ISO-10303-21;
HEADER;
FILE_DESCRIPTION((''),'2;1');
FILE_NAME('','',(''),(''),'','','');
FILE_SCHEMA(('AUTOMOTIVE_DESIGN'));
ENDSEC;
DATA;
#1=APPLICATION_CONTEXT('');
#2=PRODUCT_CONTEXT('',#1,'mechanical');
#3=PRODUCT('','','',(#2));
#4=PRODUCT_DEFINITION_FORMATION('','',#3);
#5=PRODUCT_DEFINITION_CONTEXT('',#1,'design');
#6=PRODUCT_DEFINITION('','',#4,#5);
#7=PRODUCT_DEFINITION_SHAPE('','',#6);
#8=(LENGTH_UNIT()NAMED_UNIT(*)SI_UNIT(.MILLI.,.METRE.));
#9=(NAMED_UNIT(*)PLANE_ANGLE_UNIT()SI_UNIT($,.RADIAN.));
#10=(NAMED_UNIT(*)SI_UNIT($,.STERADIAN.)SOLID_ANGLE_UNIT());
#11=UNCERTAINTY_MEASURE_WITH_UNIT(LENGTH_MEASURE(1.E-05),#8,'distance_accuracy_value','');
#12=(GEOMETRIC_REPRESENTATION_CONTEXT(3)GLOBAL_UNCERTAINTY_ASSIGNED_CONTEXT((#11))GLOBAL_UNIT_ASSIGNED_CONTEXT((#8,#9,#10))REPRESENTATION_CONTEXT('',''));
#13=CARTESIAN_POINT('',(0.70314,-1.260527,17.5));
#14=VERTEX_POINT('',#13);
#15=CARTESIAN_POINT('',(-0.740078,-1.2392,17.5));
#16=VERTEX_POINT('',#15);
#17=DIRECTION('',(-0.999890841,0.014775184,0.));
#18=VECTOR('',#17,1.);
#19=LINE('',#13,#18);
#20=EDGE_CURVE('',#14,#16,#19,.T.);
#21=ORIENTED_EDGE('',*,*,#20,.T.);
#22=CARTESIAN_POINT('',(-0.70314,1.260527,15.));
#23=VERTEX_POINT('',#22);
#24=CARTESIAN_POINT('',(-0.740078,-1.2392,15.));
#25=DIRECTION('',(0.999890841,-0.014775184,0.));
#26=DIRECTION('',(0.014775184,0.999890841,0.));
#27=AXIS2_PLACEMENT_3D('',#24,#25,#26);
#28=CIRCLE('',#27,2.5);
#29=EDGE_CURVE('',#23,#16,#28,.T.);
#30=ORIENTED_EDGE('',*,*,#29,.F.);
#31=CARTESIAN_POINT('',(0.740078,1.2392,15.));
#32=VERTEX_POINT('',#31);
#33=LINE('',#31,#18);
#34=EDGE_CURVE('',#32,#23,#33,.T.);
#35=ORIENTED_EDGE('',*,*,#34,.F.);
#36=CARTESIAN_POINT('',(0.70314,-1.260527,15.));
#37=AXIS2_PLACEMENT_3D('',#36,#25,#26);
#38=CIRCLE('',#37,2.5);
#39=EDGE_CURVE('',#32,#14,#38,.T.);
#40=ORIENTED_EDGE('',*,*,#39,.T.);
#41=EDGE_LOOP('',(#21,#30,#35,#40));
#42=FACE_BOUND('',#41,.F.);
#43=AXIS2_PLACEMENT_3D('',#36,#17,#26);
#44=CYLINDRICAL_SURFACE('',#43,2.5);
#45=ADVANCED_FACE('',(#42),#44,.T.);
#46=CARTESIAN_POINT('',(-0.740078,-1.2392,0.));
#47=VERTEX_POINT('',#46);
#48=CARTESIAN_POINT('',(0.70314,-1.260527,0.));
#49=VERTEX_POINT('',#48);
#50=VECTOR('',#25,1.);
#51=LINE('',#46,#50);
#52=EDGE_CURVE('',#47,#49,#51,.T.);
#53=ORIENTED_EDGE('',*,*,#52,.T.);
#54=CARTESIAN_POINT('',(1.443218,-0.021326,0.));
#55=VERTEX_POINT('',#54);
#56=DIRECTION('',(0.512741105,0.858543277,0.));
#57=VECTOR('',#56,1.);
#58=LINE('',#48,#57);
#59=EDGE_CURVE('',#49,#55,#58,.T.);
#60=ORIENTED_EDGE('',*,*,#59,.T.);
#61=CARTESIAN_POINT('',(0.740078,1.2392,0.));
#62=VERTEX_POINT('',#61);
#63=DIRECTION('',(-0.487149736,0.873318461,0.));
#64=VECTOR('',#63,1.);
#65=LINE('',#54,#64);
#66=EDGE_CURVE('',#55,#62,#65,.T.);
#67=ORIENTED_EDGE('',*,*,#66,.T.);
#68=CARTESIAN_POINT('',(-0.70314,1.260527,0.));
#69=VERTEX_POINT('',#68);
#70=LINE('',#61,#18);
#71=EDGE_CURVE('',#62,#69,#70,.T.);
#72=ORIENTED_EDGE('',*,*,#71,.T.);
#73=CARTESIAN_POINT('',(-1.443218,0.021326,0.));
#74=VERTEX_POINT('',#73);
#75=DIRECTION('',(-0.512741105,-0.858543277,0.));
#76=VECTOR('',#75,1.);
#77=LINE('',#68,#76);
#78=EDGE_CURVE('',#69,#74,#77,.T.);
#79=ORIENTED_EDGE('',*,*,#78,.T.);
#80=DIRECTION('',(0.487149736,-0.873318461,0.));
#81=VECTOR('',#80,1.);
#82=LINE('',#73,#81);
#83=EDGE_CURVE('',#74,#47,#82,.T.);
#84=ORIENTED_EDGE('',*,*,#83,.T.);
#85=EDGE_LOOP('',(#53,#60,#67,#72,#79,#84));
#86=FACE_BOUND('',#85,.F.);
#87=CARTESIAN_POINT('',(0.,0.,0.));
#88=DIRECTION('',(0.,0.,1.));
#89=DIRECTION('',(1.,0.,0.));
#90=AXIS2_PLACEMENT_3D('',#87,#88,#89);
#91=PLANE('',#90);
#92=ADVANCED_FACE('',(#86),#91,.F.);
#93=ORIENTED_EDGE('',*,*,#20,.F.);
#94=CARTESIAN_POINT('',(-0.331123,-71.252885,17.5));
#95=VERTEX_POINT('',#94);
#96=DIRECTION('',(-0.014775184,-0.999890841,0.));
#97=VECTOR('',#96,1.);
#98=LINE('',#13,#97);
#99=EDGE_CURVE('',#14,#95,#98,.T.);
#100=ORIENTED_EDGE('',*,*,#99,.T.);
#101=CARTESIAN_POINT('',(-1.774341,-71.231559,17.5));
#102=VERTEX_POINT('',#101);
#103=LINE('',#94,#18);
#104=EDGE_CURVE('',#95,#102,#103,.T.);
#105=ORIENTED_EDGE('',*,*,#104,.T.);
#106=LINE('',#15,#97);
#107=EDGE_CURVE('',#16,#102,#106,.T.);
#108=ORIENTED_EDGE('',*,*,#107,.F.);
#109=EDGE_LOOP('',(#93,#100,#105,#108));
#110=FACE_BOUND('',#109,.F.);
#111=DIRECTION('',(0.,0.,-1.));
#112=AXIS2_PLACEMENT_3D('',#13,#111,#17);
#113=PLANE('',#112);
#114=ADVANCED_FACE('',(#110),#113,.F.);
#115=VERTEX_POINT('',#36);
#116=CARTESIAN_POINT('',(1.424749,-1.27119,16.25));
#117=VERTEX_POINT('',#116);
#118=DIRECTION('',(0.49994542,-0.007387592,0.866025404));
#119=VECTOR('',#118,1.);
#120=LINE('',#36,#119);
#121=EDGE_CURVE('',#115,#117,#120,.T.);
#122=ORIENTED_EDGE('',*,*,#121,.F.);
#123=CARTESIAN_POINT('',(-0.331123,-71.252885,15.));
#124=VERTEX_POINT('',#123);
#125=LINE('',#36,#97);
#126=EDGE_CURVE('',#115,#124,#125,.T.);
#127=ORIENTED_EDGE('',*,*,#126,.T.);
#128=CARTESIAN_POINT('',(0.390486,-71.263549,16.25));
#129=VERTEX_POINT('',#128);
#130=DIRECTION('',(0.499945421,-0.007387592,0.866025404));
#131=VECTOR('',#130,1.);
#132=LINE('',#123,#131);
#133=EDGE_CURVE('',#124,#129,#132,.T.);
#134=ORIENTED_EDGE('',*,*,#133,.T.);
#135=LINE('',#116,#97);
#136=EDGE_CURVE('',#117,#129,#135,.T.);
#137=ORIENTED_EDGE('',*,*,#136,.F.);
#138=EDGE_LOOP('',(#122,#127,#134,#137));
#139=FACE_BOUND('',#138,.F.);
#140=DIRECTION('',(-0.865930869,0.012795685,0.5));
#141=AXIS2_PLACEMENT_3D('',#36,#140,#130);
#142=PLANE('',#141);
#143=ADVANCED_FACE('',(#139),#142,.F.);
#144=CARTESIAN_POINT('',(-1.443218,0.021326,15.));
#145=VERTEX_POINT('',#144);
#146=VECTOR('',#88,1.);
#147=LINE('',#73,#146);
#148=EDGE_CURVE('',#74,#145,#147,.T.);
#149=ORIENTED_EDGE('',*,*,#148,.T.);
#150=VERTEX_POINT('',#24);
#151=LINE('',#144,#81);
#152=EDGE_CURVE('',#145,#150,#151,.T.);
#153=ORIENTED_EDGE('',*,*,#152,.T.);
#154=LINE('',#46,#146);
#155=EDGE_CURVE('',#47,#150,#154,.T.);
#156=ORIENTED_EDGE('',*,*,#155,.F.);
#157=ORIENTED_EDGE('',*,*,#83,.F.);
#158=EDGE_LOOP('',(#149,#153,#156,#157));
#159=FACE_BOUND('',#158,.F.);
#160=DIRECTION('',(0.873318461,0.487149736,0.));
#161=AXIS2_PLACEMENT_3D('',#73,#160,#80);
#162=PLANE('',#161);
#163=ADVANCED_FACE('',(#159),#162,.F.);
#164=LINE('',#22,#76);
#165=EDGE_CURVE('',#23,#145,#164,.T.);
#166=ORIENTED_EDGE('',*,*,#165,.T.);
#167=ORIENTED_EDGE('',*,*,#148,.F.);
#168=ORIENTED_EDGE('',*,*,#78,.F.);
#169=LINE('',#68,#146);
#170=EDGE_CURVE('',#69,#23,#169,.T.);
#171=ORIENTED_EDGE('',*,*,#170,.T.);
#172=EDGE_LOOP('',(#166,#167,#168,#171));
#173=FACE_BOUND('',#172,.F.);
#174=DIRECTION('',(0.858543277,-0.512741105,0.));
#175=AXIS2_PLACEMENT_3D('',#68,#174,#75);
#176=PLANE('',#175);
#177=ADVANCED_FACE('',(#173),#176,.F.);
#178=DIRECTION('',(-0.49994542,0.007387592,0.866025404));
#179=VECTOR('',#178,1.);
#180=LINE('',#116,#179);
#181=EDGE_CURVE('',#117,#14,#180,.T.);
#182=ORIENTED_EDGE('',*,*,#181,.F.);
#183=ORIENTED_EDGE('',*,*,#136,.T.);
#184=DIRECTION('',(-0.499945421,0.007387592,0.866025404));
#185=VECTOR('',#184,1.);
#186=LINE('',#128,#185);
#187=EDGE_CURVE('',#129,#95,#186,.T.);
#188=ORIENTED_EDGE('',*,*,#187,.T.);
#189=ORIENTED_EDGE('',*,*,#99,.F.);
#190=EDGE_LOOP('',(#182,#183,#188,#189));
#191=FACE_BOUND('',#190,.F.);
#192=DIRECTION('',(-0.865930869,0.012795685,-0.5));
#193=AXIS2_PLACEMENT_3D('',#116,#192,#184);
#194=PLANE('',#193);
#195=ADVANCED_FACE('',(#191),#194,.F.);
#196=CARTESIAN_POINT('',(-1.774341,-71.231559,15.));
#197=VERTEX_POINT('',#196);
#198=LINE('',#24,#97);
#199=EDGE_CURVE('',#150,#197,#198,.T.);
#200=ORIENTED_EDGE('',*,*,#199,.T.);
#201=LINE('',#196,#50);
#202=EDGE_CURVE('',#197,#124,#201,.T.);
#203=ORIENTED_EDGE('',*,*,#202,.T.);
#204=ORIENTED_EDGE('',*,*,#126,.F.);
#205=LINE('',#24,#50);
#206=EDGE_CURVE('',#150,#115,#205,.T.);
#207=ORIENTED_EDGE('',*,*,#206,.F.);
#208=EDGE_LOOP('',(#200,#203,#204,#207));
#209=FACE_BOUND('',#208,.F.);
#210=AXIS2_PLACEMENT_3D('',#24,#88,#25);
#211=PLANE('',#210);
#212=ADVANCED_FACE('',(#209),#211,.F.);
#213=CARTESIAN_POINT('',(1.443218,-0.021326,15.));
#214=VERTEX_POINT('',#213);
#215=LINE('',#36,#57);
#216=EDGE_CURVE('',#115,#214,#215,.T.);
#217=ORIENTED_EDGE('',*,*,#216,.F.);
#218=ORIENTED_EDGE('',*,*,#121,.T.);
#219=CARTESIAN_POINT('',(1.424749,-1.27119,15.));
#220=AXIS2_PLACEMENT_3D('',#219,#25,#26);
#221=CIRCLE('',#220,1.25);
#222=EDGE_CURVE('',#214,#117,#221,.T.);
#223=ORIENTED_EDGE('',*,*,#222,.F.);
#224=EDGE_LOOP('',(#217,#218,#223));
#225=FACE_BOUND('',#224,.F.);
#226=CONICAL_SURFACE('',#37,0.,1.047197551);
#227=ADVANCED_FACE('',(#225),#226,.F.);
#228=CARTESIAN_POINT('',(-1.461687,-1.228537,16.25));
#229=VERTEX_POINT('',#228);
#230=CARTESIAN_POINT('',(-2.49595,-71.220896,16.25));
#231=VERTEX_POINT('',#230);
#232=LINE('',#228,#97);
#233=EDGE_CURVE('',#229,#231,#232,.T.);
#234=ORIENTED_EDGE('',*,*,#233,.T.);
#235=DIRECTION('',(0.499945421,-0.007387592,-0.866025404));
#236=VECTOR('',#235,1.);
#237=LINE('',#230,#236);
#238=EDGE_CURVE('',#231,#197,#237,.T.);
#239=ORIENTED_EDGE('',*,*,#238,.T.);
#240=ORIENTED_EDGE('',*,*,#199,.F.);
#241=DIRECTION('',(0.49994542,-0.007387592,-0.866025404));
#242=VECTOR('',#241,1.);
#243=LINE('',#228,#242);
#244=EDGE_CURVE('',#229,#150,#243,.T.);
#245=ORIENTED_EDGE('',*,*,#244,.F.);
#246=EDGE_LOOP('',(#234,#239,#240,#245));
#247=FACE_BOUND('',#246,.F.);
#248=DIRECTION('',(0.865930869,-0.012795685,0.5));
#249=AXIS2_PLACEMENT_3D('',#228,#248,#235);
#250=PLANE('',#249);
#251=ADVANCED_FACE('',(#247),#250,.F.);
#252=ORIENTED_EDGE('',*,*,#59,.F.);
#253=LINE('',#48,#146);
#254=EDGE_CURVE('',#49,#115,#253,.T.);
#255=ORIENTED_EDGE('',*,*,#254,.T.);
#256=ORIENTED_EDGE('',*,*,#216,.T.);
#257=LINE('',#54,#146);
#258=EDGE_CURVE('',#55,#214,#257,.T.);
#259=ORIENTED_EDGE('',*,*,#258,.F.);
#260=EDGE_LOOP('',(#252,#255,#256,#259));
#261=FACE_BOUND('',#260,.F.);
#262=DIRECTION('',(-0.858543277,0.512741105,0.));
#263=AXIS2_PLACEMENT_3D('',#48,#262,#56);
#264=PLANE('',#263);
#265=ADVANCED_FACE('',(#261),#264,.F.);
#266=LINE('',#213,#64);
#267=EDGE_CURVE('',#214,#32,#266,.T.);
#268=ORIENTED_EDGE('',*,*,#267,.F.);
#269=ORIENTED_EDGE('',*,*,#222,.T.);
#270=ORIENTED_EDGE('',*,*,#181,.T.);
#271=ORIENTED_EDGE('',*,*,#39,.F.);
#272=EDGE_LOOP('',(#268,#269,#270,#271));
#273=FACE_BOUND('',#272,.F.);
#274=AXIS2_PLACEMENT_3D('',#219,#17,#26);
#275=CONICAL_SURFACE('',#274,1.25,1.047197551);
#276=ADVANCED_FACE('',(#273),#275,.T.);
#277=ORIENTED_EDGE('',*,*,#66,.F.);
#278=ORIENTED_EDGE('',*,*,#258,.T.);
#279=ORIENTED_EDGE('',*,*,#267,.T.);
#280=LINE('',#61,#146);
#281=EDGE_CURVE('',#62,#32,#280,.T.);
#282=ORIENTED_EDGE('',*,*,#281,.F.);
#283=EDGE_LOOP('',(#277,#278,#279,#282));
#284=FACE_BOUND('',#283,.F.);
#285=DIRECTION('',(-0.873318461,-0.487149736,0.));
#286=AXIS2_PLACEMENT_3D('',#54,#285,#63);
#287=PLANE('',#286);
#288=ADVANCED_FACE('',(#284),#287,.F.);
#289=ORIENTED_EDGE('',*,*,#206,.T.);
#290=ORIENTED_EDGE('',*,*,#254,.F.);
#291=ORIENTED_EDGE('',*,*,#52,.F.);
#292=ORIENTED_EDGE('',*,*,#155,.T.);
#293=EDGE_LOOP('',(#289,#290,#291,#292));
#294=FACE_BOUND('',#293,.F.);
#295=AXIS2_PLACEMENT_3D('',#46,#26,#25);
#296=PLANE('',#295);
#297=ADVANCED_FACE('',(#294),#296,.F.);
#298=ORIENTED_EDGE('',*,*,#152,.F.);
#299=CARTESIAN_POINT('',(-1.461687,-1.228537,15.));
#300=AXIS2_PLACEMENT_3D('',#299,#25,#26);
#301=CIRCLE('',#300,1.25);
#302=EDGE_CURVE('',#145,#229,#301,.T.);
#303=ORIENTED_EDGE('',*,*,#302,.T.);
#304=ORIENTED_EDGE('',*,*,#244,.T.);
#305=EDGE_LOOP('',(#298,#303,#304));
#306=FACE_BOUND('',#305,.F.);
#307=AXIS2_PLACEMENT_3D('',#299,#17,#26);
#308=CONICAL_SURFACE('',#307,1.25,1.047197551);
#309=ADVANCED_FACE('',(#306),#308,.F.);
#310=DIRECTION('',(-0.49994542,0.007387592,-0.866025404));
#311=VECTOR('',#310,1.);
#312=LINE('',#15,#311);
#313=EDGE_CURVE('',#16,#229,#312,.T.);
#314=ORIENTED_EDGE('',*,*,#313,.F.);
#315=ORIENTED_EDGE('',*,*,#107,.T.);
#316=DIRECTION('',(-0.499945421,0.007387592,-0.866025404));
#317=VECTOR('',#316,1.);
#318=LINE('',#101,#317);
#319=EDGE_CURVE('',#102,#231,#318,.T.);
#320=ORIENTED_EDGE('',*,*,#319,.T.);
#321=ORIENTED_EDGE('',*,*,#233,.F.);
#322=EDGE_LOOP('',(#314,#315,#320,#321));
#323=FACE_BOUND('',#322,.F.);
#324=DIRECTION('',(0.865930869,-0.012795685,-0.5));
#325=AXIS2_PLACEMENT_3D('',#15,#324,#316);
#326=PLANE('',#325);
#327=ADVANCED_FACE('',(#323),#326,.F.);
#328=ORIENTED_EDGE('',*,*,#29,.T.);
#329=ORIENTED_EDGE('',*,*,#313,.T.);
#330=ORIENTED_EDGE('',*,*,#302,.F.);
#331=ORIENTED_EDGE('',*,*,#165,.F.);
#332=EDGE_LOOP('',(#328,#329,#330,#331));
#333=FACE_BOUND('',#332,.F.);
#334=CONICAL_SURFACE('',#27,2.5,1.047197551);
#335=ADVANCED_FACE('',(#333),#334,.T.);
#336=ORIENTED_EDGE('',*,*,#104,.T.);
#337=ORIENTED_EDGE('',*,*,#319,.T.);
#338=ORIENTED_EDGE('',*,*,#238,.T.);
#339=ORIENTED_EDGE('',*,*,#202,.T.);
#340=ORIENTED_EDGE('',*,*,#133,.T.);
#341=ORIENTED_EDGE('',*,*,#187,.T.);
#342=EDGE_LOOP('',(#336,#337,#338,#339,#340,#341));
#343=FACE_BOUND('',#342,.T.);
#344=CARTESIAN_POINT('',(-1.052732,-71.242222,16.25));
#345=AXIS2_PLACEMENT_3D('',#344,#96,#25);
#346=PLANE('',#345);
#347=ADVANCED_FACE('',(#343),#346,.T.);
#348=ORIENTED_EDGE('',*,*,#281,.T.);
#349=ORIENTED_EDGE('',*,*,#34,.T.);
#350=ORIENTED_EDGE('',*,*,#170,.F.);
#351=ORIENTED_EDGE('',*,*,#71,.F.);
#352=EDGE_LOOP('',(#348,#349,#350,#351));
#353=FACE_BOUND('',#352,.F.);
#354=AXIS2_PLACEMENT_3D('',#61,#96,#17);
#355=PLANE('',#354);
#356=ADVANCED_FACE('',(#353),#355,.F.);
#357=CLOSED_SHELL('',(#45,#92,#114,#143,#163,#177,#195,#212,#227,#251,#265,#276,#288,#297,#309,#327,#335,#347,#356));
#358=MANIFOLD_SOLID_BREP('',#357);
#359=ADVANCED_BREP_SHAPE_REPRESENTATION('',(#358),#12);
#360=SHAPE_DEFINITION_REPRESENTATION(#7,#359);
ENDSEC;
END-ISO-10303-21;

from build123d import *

# Parameters (mm, degrees)
F1_DEPTH = 15
F3_ANGLE = 90
F5_DEPTH = 70


with BuildPart() as f1:
    # F0 (on Top) → F1 (new body)
    with BuildSketch(Plane.XY):
        Polygon((0.7031400781, -1.2605266217), (1.4432181155, -0.0213261408), (0.7400780375, 1.2392004809), (-0.7031400781, 1.2605266217), (-1.4432181155, 0.0213261408), (-0.7400780375, -1.2392004809), align=None)
    extrude(amount=F1_DEPTH)

    # F2 (on face) → F3 (revolve)
    with BuildSketch(Plane.XY.offset(15)):
        Polygon((-1.4432181155, 0.0213261408), (-0.7400780375, -1.2392004809), (0.7031400781, -1.2605266217), (1.4432181155, -0.0213261408), (0.7400780375, 1.2392004809), (-0.7031400781, 1.2605266217), align=None)
    revolve(axis=Axis((-0.0184689797, -1.2498635513, 15), (0.999890841, -0.0147751838, 0)), revolution_arc=F3_ANGLE)

    # F4 (on face) → F5 (join)
    with BuildSketch(Plane(origin=(-0.0184689797, -1.2498635513, 0), x_dir=(0.999890841, -0.0147751838, 0), z_dir=(-0.0147751838, -0.999890841, 0))):
        Polygon((-0.7216878365, 15), (0.7216878365, 15), (1.443375673, 16.25), (0.7216878365, 17.5), (-0.7216878365, 17.5), (-1.443375673, 16.25), align=None)
    extrude(amount=F5_DEPTH)


solid = f1.part
